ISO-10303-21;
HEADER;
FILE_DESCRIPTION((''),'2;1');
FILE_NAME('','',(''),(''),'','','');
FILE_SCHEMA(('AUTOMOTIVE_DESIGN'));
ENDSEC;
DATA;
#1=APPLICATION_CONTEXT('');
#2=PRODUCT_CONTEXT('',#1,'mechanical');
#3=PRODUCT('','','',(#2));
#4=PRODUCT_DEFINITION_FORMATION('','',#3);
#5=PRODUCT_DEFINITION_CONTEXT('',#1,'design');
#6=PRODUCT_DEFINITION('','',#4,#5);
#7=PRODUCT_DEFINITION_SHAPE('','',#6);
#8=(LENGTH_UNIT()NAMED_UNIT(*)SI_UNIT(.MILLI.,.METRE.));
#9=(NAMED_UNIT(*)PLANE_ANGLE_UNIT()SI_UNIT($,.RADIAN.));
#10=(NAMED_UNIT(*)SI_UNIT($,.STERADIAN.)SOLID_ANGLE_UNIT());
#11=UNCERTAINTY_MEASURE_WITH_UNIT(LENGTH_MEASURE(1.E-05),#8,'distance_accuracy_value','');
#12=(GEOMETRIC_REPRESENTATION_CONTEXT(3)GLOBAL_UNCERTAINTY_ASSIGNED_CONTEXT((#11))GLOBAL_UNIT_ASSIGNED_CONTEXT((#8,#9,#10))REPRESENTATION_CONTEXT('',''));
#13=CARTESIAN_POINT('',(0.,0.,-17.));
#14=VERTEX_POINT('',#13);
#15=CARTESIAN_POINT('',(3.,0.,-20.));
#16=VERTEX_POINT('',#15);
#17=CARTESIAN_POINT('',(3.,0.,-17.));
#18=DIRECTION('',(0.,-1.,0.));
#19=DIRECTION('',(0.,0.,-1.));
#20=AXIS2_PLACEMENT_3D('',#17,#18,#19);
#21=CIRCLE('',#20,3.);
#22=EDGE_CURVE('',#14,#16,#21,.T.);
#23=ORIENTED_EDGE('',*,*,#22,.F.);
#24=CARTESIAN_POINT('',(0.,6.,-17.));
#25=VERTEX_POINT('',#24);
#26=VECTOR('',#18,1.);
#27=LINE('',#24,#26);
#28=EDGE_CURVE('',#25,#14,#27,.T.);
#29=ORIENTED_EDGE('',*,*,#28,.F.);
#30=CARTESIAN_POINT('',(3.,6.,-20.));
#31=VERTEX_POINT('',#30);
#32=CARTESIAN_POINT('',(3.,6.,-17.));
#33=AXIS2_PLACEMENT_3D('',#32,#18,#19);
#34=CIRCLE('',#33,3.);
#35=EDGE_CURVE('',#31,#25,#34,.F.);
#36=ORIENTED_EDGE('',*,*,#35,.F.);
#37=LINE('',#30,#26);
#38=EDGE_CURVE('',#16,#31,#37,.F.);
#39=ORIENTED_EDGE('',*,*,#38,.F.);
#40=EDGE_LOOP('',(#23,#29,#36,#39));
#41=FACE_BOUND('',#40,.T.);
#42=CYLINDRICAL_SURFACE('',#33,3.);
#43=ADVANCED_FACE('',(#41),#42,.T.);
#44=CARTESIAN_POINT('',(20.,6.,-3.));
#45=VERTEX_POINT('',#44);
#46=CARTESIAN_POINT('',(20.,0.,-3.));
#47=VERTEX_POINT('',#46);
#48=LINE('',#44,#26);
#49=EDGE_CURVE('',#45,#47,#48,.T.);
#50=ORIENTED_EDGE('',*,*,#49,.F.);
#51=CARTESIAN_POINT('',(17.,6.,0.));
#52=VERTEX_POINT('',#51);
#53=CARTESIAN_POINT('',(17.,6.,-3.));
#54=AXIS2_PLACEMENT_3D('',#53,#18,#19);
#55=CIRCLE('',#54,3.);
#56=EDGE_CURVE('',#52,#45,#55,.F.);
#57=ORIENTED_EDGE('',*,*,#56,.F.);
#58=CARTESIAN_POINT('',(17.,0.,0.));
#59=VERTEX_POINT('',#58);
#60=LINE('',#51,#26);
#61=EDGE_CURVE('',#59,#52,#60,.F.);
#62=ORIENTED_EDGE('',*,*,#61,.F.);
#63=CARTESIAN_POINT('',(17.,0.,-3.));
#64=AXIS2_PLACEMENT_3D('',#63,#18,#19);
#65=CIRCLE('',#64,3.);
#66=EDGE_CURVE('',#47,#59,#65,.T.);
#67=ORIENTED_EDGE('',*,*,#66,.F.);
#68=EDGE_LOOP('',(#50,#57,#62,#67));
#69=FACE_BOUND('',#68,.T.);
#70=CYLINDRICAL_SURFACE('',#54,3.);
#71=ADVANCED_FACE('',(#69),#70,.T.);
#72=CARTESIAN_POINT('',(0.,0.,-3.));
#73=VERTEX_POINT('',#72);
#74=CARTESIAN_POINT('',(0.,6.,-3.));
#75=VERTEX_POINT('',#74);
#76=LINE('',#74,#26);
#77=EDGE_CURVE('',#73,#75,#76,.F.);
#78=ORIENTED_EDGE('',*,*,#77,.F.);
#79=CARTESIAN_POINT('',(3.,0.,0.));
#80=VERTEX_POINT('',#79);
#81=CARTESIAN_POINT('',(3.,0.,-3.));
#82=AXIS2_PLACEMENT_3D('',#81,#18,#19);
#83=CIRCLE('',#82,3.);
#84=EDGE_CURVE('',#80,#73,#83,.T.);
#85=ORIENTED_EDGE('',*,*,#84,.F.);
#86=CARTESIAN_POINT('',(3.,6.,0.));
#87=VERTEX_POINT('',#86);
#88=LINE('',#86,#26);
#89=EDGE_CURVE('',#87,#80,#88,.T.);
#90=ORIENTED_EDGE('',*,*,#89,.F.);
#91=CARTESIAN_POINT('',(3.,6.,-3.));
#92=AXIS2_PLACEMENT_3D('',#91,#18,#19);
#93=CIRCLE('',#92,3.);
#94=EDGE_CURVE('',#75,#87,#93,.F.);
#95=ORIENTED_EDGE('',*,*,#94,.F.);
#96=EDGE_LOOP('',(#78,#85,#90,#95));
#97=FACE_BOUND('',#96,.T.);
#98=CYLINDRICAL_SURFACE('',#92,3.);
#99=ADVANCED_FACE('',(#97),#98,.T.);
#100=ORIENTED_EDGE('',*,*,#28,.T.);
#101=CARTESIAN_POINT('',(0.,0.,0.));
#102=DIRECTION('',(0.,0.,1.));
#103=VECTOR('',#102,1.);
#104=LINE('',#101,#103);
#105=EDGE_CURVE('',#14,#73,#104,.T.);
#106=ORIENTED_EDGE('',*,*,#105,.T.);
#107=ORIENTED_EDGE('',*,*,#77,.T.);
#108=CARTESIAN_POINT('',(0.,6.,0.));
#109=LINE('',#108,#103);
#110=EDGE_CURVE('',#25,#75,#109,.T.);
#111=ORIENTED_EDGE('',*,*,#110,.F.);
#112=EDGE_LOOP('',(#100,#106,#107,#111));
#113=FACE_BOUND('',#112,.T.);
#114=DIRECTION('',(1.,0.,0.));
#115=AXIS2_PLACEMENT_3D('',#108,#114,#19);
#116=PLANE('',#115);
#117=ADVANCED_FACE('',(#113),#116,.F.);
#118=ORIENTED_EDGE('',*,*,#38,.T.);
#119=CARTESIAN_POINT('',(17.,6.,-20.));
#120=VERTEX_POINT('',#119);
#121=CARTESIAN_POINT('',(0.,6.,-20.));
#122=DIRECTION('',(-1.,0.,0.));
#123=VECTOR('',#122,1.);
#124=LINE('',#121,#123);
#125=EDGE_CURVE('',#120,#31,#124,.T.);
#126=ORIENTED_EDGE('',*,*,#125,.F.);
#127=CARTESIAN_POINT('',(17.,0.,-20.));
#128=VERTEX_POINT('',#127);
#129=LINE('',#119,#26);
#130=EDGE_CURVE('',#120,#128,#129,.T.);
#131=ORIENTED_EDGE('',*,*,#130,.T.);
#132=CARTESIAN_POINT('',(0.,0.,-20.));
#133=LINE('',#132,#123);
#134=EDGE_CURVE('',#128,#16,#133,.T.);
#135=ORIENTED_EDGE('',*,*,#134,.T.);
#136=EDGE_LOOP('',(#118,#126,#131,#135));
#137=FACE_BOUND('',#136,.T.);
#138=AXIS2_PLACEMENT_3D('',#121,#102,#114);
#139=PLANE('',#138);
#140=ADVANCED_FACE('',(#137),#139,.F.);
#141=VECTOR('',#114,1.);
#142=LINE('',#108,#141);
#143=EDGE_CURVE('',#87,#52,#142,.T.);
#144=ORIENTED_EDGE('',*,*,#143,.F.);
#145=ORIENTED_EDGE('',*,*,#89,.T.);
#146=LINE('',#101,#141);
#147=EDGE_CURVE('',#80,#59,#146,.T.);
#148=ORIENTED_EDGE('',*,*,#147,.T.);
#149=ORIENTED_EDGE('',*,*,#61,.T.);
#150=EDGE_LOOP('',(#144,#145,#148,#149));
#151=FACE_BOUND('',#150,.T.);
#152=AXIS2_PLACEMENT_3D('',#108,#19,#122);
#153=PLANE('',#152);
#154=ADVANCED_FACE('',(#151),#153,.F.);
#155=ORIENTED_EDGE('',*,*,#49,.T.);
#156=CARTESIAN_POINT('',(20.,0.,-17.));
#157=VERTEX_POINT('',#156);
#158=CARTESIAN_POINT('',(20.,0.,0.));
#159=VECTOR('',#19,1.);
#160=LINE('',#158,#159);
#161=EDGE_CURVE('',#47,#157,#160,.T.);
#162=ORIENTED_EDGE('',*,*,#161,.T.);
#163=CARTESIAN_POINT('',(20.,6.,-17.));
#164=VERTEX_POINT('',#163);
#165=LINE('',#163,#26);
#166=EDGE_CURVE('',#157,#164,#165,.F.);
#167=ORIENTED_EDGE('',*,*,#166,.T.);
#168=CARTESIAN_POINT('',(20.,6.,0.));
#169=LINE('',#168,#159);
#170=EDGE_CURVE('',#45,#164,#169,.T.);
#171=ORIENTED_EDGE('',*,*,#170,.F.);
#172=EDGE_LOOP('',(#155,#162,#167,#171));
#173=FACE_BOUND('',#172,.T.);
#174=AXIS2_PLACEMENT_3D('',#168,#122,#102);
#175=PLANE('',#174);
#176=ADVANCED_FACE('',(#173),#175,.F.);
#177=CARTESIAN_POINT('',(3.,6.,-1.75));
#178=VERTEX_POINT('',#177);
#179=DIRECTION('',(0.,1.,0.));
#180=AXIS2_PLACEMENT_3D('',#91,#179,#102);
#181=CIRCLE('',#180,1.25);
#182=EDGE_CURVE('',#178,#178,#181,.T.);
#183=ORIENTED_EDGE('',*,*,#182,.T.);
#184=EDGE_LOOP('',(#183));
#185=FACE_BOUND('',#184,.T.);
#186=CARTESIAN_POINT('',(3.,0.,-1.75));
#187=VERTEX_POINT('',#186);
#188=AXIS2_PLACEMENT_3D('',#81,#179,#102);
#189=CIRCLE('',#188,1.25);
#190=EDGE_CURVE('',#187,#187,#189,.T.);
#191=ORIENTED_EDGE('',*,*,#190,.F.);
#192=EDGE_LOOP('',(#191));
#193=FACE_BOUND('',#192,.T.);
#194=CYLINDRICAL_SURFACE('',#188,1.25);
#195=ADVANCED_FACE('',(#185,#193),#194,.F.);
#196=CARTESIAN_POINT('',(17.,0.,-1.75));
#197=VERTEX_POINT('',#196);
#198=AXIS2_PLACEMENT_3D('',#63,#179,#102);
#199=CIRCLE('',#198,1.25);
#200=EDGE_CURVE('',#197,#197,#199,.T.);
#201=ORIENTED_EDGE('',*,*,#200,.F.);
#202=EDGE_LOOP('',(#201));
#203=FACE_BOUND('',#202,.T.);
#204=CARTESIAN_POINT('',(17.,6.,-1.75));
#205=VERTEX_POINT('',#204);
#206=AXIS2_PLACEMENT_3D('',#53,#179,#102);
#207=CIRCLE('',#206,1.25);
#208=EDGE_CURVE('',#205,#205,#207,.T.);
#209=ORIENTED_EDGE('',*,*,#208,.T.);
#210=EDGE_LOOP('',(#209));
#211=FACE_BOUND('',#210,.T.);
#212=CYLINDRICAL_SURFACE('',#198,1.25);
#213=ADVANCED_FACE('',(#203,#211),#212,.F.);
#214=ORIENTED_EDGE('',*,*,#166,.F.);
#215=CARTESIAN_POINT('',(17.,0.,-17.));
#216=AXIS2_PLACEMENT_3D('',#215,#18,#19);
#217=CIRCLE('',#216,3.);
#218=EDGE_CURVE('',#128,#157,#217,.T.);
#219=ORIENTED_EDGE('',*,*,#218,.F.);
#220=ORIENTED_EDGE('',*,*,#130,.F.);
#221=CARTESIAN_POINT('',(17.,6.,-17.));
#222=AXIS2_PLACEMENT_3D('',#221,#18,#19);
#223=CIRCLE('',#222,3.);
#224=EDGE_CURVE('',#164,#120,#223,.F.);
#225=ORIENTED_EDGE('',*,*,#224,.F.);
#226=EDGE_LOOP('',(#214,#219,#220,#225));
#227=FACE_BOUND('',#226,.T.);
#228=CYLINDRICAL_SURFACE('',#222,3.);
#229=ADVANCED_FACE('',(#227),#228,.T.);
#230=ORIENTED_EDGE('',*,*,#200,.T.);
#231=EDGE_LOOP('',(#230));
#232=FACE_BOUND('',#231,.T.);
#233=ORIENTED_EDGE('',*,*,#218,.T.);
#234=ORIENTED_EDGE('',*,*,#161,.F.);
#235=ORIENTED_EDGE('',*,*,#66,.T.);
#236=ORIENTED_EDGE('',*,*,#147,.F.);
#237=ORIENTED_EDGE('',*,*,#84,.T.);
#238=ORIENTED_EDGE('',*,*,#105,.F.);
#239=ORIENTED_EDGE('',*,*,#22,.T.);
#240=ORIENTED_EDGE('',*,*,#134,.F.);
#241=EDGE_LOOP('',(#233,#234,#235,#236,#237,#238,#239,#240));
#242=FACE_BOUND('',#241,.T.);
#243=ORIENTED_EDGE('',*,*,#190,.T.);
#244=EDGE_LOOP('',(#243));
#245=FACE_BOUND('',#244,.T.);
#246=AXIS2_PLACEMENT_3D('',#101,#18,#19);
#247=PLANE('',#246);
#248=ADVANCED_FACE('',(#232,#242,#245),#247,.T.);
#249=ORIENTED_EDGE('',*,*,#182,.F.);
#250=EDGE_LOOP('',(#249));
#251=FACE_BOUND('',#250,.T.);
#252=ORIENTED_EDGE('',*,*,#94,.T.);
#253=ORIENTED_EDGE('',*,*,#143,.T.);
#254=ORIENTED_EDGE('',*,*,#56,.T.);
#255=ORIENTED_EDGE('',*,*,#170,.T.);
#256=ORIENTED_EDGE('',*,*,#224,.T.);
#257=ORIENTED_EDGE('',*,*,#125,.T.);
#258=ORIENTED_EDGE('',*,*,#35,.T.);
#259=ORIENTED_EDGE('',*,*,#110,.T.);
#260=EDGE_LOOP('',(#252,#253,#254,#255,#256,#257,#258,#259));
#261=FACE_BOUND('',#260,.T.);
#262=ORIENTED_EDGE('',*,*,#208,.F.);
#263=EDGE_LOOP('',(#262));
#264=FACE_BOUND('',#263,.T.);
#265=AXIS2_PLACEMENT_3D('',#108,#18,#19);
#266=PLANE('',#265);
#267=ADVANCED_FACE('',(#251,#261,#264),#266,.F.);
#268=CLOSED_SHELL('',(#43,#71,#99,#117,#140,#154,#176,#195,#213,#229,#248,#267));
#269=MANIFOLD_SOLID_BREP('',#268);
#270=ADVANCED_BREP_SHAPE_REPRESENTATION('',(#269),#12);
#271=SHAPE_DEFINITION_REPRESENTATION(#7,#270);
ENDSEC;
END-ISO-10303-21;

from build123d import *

# Parameters (mm, degrees)
SKETCH1_W               = 20
SKETCH1_H               = 20
BOSS_EXTRUDE1_DEPTH     = 6
FILLET1_R               = 3
SKETCH2_R               = 1.25
CUT_EXTRUDE1_DEPTH      = 1
CUT_EXTRUDE1_DEPTH_BACK = 7


with BuildPart() as part:
    # Sketch1 → Boss-Extrude1 (new body)
    with BuildSketch(Plane(origin=(0, 0, 0), x_dir=(1, 0, 0), z_dir=(0, 1, 0))):
        with Locations((10, 10)):
            Rectangle(SKETCH1_W, SKETCH1_H)
    extrude(amount=BOSS_EXTRUDE1_DEPTH)

    # Fillet1
    fillet1_edges = [part.edges().sort_by_distance(p)[0] for p in [
        (0, 3, -20),
        (20, 3, -20),
        (20, 3, 0),
        (0, 3, 0),
    ]]
    fillet(fillet1_edges, radius=FILLET1_R)

    # Sketch2 → Cut-Extrude1 (cut, two sides)
    with BuildSketch(Plane(origin=(0, 6, 0), x_dir=(1, 0, 0), z_dir=(0, 1, 0))) as cut_extrude1_sk:
        with Locations((3, 3)):
            Circle(SKETCH2_R)
        with Locations((17, 3)):
            Circle(SKETCH2_R)
    extrude(amount=CUT_EXTRUDE1_DEPTH, mode=Mode.SUBTRACT)
    extrude(cut_extrude1_sk.sketch, amount=-CUT_EXTRUDE1_DEPTH_BACK, mode=Mode.SUBTRACT)


solid = part.part
